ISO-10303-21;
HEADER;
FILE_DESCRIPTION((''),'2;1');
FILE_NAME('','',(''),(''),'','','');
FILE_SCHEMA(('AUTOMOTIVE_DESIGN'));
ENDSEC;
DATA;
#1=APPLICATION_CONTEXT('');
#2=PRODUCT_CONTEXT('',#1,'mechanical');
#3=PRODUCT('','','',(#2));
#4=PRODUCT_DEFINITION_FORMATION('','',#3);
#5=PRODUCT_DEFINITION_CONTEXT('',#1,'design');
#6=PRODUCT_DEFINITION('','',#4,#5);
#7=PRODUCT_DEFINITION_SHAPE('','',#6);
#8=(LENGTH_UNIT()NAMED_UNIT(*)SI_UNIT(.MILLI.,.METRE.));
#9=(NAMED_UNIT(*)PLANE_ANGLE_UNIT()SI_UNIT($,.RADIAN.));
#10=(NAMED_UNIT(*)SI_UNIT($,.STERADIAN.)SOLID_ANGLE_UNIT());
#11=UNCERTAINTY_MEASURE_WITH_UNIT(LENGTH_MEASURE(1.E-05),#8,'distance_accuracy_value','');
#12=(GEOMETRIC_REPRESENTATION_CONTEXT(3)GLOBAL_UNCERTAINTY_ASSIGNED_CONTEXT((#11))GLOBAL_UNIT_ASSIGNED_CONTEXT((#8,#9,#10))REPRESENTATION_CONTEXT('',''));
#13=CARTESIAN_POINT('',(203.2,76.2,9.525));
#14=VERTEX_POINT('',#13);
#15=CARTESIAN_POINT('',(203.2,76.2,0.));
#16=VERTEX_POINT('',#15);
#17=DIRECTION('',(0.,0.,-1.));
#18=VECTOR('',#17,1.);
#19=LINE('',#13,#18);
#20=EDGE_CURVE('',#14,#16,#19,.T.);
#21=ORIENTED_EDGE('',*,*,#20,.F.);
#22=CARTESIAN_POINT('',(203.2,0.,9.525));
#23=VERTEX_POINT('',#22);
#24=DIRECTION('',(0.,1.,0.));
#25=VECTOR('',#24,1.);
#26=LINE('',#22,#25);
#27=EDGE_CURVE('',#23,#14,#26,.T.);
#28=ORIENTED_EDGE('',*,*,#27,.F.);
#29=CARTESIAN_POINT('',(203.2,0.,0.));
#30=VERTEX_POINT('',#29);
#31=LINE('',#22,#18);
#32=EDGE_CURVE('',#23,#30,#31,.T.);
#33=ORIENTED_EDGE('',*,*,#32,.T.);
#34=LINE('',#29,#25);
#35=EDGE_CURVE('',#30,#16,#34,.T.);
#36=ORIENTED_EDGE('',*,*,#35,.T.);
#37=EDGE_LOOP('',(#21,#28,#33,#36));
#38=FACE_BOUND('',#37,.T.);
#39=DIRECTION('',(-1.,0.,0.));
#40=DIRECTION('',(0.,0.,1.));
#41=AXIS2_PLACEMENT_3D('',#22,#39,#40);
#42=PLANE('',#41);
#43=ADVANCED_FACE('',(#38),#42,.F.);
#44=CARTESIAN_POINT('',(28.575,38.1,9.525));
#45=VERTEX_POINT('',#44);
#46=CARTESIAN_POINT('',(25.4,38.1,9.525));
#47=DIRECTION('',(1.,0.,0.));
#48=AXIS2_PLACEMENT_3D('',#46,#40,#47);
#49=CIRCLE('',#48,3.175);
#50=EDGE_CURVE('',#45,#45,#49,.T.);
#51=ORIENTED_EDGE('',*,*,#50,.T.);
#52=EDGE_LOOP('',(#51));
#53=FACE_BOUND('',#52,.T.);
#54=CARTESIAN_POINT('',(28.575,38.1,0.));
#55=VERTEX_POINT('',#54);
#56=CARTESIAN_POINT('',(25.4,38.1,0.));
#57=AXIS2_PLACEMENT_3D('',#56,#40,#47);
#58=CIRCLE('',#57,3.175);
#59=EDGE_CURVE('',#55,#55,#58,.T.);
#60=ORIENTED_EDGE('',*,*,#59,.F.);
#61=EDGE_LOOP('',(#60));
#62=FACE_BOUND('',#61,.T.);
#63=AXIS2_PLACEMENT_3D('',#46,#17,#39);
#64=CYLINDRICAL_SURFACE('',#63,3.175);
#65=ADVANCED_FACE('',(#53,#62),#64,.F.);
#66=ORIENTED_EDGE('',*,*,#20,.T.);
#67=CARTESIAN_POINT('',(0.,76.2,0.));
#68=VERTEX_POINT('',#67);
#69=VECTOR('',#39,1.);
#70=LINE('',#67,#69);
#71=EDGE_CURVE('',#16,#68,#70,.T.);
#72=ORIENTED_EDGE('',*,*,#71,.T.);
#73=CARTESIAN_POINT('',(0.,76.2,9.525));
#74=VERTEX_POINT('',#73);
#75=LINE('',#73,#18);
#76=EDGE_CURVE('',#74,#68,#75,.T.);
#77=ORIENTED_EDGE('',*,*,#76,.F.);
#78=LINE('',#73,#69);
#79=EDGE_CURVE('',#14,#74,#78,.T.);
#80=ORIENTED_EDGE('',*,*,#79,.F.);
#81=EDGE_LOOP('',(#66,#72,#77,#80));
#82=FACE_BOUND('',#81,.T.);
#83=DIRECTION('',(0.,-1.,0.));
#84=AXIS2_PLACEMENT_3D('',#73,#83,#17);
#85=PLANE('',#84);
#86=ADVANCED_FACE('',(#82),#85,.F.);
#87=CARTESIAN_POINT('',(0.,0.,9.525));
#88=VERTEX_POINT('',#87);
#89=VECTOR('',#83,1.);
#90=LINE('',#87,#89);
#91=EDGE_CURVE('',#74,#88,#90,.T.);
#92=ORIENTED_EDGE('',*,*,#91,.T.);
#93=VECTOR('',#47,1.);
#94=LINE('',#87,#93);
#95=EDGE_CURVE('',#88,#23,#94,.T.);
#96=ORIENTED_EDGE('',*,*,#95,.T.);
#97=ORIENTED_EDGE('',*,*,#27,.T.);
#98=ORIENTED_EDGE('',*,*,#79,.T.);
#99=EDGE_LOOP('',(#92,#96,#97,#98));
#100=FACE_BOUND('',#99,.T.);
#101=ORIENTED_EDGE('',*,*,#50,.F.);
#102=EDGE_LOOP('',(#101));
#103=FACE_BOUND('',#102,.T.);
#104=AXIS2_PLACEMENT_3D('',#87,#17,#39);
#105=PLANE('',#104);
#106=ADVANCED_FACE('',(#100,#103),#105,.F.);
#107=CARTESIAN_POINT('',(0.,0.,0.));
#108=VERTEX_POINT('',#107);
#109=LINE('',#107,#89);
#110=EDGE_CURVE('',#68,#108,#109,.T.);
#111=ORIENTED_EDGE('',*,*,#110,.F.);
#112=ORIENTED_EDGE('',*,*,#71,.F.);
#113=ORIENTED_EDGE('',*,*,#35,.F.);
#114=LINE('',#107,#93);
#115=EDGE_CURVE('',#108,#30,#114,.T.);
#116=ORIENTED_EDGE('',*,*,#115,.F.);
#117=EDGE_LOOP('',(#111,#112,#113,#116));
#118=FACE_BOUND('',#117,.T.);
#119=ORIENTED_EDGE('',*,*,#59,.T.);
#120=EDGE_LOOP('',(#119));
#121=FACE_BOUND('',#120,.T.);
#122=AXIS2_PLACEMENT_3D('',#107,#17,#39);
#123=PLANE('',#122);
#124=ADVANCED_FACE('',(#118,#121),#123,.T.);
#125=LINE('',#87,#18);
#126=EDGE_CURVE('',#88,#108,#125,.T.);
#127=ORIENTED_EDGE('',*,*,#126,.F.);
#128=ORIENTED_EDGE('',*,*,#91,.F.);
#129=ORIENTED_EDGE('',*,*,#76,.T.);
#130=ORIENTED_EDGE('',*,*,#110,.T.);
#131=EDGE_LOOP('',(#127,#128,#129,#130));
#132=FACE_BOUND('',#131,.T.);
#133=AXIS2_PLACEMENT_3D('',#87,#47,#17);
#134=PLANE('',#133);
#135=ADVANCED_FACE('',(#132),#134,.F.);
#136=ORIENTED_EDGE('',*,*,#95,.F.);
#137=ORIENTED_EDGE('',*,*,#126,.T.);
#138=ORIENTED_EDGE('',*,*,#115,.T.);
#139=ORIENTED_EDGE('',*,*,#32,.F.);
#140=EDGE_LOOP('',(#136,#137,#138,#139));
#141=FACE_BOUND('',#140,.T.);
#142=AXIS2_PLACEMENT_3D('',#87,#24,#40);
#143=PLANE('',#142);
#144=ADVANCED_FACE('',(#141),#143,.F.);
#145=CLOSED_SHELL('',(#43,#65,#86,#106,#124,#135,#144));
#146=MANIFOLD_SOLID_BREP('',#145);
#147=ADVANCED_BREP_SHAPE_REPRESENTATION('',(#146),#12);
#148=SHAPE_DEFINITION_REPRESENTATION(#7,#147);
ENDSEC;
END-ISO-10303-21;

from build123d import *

# Parameters (mm, degrees)
SKETCH1_W       = 203.2
SKETCH1_H       = 76.2
PLATE_DEPTH     = 9.525
SKETCH2_R       = 3.175
SEED_HOLE_DEPTH = 218.226622735


with BuildPart() as part:
    # Sketch1 → plate (new body)
    with BuildSketch(Plane.XY):
        with Locations((101.6, 38.1)):
            Rectangle(SKETCH1_W, SKETCH1_H)
    extrude(amount=PLATE_DEPTH)

    # Sketch2 → seed_hole (cut, through all)
    with BuildSketch(Plane.XY):
        with Locations((25.4, 38.1)):
            Circle(SKETCH2_R)
    extrude(amount=SEED_HOLE_DEPTH, mode=Mode.SUBTRACT)


solid = part.part
